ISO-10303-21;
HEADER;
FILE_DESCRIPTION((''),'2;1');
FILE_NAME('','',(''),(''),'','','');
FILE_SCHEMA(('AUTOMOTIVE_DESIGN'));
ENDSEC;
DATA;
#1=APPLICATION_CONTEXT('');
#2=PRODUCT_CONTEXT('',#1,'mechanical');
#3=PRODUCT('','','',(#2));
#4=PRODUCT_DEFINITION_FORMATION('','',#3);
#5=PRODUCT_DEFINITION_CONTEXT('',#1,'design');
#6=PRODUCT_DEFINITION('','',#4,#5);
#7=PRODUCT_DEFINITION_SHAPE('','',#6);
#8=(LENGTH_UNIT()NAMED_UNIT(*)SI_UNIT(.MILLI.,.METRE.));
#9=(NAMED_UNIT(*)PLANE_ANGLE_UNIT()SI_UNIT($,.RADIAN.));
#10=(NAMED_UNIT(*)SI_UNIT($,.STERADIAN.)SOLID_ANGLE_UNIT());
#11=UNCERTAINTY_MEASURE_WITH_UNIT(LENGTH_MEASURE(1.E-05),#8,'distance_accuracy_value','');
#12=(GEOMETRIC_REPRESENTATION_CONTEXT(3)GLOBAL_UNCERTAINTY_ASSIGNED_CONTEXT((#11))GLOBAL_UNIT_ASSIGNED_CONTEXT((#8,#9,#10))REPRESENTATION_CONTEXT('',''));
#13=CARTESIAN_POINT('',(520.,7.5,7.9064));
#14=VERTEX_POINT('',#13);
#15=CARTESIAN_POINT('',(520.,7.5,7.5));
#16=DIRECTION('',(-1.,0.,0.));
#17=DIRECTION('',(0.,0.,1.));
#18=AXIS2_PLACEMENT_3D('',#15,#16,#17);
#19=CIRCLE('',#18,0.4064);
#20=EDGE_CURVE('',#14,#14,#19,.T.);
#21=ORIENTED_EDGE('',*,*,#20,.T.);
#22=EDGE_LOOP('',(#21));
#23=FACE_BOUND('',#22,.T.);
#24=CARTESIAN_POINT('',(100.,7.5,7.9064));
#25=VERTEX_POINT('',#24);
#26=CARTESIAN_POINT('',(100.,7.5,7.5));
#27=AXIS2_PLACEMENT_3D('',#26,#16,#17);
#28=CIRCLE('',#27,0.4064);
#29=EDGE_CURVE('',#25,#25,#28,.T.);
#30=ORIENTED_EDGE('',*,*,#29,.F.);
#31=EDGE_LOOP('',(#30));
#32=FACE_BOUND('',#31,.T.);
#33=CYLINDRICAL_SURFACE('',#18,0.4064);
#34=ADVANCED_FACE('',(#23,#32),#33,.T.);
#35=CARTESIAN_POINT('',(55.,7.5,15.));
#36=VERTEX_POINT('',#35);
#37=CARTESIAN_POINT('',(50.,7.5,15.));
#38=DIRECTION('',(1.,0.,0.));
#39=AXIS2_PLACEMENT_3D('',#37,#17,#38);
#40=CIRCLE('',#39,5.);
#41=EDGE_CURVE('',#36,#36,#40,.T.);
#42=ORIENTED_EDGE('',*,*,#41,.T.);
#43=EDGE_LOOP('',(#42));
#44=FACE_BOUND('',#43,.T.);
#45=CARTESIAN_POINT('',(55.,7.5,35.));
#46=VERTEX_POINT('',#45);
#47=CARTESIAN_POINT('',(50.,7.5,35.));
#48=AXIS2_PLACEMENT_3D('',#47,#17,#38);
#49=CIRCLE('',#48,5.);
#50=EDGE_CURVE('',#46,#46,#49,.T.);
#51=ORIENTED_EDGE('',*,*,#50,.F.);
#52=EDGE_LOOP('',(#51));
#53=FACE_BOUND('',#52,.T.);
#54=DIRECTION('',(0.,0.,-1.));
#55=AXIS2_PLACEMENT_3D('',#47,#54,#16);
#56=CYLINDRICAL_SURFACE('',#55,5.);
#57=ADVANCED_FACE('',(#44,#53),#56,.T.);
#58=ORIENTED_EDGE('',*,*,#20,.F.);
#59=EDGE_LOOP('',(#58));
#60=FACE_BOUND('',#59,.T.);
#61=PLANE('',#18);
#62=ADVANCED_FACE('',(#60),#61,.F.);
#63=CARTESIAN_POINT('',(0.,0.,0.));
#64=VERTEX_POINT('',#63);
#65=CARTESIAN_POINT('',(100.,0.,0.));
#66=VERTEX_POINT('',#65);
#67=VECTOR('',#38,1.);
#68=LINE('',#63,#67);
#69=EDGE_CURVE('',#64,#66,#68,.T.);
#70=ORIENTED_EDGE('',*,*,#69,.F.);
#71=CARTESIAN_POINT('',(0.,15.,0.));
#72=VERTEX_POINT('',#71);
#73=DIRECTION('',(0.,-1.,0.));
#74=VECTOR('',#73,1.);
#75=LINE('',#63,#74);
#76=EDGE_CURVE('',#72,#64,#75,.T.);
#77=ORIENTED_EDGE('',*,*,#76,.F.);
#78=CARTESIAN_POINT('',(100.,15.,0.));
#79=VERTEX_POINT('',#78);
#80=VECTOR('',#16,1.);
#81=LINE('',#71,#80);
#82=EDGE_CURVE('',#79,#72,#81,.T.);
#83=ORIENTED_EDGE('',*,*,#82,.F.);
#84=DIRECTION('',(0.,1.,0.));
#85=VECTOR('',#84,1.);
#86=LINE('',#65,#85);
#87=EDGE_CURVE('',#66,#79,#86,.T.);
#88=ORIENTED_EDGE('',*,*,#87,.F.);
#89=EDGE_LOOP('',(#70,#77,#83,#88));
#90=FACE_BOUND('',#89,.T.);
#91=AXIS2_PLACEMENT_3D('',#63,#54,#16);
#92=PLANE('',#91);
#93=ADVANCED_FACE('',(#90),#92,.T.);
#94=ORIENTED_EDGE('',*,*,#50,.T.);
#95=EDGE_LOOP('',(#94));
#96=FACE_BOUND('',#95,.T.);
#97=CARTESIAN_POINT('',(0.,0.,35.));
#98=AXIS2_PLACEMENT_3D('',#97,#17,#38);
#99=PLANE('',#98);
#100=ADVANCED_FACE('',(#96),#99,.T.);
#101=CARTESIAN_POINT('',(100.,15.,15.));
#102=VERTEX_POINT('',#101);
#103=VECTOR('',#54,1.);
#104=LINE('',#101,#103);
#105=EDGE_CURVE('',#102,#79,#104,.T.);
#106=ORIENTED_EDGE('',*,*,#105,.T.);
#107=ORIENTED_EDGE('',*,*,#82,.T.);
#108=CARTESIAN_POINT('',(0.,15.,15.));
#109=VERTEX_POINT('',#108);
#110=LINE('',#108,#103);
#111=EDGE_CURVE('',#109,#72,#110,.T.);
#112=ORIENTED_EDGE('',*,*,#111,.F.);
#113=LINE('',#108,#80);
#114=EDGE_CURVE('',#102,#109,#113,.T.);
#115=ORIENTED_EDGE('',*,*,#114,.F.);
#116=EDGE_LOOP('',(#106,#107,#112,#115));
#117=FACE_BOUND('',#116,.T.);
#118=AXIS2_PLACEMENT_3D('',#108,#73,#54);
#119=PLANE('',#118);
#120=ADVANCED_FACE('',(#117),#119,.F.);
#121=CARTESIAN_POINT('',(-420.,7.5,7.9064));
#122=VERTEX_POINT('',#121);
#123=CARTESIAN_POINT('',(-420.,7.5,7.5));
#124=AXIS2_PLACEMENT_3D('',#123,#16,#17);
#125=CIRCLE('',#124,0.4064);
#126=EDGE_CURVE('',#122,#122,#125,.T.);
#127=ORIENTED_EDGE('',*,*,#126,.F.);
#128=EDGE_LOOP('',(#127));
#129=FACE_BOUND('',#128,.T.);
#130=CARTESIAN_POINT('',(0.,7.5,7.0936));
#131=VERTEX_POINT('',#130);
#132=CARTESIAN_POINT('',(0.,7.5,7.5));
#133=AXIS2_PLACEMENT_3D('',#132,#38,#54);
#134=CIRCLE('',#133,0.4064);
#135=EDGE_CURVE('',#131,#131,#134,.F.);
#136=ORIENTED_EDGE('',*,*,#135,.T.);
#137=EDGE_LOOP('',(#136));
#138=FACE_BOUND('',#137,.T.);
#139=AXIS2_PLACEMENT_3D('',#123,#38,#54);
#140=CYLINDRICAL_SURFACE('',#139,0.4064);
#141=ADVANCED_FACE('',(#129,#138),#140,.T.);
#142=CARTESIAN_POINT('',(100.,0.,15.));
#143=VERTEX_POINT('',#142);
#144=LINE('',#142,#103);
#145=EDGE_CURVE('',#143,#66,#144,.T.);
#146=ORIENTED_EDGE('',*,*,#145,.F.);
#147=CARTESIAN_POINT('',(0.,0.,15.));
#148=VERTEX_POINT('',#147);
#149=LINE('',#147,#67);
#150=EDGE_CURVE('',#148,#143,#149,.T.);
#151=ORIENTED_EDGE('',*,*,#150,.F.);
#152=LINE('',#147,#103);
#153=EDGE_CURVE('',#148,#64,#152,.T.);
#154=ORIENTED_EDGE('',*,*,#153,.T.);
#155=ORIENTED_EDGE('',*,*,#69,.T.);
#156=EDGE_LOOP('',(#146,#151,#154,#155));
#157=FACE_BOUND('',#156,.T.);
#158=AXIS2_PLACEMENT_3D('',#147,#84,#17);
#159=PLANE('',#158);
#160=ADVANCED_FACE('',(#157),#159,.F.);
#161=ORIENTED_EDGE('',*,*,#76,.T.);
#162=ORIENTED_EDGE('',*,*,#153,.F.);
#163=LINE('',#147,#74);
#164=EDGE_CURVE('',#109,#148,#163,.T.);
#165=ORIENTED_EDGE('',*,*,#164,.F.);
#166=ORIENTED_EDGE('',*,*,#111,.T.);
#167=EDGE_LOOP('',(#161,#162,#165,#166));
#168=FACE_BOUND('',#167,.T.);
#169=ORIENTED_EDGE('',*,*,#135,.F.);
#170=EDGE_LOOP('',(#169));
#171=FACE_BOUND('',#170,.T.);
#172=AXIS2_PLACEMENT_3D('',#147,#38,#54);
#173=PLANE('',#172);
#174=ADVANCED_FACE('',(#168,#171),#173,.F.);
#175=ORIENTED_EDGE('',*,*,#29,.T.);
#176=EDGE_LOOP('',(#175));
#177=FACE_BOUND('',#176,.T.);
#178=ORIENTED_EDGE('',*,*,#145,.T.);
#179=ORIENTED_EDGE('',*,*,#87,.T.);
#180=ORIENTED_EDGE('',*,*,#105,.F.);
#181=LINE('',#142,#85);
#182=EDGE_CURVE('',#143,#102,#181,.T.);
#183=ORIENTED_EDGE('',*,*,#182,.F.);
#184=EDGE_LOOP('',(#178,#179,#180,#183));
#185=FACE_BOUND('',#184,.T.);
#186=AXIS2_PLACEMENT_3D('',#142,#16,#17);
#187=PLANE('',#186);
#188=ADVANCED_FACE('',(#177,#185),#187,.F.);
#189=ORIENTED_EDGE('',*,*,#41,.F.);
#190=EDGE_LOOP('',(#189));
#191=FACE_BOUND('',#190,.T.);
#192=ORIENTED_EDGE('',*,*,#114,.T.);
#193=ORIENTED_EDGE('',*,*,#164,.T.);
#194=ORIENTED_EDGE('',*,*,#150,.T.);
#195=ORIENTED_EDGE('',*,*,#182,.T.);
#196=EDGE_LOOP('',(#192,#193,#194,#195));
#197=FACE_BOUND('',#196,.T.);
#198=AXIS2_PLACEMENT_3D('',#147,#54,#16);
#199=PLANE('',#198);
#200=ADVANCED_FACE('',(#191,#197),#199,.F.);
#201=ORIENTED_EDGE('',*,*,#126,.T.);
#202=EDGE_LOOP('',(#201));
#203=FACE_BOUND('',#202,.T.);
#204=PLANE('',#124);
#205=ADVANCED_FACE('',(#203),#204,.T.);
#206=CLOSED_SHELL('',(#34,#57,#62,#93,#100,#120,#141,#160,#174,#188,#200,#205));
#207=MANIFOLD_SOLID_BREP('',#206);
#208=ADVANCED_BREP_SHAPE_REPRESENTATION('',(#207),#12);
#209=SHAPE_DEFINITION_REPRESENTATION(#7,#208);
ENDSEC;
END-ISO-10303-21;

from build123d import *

# Parameters (mm, degrees)
SKETCH1_W           = 100
SKETCH1_H           = 15
SKETCH1_R           = 5
BOSS_EXTRUDE1_DEPTH = 15
SKETCH1_2_R         = 5
BOSS_EXTRUDE2_DEPTH = 35
SKETCH2_R           = 0.4064
BOSS_EXTRUDE3_DEPTH = 420
BOSS_EXTRUDE4_START = -520
SKETCH2_2_R         = 0.4064
BOSS_EXTRUDE4_DEPTH = 520


with BuildPart() as part:
    # Sketch1 → Boss-Extrude1 (new body)
    with BuildSketch(Plane.XY):
        with Locations((50, 7.5)):
            Rectangle(SKETCH1_W, SKETCH1_H)
        with Locations((50, 7.5)):
            Circle(SKETCH1_R, mode=Mode.SUBTRACT)
    extrude(amount=BOSS_EXTRUDE1_DEPTH)

    # Sketch1<2> → Boss-Extrude2 (add)
    with BuildSketch(Plane.XY):
        with Locations((50, 7.5)):
            Circle(SKETCH1_2_R)
    extrude(amount=BOSS_EXTRUDE2_DEPTH)

    # Sketch2 → Boss-Extrude3 (add)
    with BuildSketch(Plane.ZY):
        with Locations((7.5, 7.5)):
            Circle(SKETCH2_R)
    extrude(amount=BOSS_EXTRUDE3_DEPTH)

    # Sketch2<2> → Boss-Extrude4 (add)
    with BuildSketch(Plane.ZY.offset(BOSS_EXTRUDE4_START)):
        with Locations((7.5, 7.5)):
            Circle(SKETCH2_2_R)
    extrude(amount=BOSS_EXTRUDE4_DEPTH)


solid = part.part
